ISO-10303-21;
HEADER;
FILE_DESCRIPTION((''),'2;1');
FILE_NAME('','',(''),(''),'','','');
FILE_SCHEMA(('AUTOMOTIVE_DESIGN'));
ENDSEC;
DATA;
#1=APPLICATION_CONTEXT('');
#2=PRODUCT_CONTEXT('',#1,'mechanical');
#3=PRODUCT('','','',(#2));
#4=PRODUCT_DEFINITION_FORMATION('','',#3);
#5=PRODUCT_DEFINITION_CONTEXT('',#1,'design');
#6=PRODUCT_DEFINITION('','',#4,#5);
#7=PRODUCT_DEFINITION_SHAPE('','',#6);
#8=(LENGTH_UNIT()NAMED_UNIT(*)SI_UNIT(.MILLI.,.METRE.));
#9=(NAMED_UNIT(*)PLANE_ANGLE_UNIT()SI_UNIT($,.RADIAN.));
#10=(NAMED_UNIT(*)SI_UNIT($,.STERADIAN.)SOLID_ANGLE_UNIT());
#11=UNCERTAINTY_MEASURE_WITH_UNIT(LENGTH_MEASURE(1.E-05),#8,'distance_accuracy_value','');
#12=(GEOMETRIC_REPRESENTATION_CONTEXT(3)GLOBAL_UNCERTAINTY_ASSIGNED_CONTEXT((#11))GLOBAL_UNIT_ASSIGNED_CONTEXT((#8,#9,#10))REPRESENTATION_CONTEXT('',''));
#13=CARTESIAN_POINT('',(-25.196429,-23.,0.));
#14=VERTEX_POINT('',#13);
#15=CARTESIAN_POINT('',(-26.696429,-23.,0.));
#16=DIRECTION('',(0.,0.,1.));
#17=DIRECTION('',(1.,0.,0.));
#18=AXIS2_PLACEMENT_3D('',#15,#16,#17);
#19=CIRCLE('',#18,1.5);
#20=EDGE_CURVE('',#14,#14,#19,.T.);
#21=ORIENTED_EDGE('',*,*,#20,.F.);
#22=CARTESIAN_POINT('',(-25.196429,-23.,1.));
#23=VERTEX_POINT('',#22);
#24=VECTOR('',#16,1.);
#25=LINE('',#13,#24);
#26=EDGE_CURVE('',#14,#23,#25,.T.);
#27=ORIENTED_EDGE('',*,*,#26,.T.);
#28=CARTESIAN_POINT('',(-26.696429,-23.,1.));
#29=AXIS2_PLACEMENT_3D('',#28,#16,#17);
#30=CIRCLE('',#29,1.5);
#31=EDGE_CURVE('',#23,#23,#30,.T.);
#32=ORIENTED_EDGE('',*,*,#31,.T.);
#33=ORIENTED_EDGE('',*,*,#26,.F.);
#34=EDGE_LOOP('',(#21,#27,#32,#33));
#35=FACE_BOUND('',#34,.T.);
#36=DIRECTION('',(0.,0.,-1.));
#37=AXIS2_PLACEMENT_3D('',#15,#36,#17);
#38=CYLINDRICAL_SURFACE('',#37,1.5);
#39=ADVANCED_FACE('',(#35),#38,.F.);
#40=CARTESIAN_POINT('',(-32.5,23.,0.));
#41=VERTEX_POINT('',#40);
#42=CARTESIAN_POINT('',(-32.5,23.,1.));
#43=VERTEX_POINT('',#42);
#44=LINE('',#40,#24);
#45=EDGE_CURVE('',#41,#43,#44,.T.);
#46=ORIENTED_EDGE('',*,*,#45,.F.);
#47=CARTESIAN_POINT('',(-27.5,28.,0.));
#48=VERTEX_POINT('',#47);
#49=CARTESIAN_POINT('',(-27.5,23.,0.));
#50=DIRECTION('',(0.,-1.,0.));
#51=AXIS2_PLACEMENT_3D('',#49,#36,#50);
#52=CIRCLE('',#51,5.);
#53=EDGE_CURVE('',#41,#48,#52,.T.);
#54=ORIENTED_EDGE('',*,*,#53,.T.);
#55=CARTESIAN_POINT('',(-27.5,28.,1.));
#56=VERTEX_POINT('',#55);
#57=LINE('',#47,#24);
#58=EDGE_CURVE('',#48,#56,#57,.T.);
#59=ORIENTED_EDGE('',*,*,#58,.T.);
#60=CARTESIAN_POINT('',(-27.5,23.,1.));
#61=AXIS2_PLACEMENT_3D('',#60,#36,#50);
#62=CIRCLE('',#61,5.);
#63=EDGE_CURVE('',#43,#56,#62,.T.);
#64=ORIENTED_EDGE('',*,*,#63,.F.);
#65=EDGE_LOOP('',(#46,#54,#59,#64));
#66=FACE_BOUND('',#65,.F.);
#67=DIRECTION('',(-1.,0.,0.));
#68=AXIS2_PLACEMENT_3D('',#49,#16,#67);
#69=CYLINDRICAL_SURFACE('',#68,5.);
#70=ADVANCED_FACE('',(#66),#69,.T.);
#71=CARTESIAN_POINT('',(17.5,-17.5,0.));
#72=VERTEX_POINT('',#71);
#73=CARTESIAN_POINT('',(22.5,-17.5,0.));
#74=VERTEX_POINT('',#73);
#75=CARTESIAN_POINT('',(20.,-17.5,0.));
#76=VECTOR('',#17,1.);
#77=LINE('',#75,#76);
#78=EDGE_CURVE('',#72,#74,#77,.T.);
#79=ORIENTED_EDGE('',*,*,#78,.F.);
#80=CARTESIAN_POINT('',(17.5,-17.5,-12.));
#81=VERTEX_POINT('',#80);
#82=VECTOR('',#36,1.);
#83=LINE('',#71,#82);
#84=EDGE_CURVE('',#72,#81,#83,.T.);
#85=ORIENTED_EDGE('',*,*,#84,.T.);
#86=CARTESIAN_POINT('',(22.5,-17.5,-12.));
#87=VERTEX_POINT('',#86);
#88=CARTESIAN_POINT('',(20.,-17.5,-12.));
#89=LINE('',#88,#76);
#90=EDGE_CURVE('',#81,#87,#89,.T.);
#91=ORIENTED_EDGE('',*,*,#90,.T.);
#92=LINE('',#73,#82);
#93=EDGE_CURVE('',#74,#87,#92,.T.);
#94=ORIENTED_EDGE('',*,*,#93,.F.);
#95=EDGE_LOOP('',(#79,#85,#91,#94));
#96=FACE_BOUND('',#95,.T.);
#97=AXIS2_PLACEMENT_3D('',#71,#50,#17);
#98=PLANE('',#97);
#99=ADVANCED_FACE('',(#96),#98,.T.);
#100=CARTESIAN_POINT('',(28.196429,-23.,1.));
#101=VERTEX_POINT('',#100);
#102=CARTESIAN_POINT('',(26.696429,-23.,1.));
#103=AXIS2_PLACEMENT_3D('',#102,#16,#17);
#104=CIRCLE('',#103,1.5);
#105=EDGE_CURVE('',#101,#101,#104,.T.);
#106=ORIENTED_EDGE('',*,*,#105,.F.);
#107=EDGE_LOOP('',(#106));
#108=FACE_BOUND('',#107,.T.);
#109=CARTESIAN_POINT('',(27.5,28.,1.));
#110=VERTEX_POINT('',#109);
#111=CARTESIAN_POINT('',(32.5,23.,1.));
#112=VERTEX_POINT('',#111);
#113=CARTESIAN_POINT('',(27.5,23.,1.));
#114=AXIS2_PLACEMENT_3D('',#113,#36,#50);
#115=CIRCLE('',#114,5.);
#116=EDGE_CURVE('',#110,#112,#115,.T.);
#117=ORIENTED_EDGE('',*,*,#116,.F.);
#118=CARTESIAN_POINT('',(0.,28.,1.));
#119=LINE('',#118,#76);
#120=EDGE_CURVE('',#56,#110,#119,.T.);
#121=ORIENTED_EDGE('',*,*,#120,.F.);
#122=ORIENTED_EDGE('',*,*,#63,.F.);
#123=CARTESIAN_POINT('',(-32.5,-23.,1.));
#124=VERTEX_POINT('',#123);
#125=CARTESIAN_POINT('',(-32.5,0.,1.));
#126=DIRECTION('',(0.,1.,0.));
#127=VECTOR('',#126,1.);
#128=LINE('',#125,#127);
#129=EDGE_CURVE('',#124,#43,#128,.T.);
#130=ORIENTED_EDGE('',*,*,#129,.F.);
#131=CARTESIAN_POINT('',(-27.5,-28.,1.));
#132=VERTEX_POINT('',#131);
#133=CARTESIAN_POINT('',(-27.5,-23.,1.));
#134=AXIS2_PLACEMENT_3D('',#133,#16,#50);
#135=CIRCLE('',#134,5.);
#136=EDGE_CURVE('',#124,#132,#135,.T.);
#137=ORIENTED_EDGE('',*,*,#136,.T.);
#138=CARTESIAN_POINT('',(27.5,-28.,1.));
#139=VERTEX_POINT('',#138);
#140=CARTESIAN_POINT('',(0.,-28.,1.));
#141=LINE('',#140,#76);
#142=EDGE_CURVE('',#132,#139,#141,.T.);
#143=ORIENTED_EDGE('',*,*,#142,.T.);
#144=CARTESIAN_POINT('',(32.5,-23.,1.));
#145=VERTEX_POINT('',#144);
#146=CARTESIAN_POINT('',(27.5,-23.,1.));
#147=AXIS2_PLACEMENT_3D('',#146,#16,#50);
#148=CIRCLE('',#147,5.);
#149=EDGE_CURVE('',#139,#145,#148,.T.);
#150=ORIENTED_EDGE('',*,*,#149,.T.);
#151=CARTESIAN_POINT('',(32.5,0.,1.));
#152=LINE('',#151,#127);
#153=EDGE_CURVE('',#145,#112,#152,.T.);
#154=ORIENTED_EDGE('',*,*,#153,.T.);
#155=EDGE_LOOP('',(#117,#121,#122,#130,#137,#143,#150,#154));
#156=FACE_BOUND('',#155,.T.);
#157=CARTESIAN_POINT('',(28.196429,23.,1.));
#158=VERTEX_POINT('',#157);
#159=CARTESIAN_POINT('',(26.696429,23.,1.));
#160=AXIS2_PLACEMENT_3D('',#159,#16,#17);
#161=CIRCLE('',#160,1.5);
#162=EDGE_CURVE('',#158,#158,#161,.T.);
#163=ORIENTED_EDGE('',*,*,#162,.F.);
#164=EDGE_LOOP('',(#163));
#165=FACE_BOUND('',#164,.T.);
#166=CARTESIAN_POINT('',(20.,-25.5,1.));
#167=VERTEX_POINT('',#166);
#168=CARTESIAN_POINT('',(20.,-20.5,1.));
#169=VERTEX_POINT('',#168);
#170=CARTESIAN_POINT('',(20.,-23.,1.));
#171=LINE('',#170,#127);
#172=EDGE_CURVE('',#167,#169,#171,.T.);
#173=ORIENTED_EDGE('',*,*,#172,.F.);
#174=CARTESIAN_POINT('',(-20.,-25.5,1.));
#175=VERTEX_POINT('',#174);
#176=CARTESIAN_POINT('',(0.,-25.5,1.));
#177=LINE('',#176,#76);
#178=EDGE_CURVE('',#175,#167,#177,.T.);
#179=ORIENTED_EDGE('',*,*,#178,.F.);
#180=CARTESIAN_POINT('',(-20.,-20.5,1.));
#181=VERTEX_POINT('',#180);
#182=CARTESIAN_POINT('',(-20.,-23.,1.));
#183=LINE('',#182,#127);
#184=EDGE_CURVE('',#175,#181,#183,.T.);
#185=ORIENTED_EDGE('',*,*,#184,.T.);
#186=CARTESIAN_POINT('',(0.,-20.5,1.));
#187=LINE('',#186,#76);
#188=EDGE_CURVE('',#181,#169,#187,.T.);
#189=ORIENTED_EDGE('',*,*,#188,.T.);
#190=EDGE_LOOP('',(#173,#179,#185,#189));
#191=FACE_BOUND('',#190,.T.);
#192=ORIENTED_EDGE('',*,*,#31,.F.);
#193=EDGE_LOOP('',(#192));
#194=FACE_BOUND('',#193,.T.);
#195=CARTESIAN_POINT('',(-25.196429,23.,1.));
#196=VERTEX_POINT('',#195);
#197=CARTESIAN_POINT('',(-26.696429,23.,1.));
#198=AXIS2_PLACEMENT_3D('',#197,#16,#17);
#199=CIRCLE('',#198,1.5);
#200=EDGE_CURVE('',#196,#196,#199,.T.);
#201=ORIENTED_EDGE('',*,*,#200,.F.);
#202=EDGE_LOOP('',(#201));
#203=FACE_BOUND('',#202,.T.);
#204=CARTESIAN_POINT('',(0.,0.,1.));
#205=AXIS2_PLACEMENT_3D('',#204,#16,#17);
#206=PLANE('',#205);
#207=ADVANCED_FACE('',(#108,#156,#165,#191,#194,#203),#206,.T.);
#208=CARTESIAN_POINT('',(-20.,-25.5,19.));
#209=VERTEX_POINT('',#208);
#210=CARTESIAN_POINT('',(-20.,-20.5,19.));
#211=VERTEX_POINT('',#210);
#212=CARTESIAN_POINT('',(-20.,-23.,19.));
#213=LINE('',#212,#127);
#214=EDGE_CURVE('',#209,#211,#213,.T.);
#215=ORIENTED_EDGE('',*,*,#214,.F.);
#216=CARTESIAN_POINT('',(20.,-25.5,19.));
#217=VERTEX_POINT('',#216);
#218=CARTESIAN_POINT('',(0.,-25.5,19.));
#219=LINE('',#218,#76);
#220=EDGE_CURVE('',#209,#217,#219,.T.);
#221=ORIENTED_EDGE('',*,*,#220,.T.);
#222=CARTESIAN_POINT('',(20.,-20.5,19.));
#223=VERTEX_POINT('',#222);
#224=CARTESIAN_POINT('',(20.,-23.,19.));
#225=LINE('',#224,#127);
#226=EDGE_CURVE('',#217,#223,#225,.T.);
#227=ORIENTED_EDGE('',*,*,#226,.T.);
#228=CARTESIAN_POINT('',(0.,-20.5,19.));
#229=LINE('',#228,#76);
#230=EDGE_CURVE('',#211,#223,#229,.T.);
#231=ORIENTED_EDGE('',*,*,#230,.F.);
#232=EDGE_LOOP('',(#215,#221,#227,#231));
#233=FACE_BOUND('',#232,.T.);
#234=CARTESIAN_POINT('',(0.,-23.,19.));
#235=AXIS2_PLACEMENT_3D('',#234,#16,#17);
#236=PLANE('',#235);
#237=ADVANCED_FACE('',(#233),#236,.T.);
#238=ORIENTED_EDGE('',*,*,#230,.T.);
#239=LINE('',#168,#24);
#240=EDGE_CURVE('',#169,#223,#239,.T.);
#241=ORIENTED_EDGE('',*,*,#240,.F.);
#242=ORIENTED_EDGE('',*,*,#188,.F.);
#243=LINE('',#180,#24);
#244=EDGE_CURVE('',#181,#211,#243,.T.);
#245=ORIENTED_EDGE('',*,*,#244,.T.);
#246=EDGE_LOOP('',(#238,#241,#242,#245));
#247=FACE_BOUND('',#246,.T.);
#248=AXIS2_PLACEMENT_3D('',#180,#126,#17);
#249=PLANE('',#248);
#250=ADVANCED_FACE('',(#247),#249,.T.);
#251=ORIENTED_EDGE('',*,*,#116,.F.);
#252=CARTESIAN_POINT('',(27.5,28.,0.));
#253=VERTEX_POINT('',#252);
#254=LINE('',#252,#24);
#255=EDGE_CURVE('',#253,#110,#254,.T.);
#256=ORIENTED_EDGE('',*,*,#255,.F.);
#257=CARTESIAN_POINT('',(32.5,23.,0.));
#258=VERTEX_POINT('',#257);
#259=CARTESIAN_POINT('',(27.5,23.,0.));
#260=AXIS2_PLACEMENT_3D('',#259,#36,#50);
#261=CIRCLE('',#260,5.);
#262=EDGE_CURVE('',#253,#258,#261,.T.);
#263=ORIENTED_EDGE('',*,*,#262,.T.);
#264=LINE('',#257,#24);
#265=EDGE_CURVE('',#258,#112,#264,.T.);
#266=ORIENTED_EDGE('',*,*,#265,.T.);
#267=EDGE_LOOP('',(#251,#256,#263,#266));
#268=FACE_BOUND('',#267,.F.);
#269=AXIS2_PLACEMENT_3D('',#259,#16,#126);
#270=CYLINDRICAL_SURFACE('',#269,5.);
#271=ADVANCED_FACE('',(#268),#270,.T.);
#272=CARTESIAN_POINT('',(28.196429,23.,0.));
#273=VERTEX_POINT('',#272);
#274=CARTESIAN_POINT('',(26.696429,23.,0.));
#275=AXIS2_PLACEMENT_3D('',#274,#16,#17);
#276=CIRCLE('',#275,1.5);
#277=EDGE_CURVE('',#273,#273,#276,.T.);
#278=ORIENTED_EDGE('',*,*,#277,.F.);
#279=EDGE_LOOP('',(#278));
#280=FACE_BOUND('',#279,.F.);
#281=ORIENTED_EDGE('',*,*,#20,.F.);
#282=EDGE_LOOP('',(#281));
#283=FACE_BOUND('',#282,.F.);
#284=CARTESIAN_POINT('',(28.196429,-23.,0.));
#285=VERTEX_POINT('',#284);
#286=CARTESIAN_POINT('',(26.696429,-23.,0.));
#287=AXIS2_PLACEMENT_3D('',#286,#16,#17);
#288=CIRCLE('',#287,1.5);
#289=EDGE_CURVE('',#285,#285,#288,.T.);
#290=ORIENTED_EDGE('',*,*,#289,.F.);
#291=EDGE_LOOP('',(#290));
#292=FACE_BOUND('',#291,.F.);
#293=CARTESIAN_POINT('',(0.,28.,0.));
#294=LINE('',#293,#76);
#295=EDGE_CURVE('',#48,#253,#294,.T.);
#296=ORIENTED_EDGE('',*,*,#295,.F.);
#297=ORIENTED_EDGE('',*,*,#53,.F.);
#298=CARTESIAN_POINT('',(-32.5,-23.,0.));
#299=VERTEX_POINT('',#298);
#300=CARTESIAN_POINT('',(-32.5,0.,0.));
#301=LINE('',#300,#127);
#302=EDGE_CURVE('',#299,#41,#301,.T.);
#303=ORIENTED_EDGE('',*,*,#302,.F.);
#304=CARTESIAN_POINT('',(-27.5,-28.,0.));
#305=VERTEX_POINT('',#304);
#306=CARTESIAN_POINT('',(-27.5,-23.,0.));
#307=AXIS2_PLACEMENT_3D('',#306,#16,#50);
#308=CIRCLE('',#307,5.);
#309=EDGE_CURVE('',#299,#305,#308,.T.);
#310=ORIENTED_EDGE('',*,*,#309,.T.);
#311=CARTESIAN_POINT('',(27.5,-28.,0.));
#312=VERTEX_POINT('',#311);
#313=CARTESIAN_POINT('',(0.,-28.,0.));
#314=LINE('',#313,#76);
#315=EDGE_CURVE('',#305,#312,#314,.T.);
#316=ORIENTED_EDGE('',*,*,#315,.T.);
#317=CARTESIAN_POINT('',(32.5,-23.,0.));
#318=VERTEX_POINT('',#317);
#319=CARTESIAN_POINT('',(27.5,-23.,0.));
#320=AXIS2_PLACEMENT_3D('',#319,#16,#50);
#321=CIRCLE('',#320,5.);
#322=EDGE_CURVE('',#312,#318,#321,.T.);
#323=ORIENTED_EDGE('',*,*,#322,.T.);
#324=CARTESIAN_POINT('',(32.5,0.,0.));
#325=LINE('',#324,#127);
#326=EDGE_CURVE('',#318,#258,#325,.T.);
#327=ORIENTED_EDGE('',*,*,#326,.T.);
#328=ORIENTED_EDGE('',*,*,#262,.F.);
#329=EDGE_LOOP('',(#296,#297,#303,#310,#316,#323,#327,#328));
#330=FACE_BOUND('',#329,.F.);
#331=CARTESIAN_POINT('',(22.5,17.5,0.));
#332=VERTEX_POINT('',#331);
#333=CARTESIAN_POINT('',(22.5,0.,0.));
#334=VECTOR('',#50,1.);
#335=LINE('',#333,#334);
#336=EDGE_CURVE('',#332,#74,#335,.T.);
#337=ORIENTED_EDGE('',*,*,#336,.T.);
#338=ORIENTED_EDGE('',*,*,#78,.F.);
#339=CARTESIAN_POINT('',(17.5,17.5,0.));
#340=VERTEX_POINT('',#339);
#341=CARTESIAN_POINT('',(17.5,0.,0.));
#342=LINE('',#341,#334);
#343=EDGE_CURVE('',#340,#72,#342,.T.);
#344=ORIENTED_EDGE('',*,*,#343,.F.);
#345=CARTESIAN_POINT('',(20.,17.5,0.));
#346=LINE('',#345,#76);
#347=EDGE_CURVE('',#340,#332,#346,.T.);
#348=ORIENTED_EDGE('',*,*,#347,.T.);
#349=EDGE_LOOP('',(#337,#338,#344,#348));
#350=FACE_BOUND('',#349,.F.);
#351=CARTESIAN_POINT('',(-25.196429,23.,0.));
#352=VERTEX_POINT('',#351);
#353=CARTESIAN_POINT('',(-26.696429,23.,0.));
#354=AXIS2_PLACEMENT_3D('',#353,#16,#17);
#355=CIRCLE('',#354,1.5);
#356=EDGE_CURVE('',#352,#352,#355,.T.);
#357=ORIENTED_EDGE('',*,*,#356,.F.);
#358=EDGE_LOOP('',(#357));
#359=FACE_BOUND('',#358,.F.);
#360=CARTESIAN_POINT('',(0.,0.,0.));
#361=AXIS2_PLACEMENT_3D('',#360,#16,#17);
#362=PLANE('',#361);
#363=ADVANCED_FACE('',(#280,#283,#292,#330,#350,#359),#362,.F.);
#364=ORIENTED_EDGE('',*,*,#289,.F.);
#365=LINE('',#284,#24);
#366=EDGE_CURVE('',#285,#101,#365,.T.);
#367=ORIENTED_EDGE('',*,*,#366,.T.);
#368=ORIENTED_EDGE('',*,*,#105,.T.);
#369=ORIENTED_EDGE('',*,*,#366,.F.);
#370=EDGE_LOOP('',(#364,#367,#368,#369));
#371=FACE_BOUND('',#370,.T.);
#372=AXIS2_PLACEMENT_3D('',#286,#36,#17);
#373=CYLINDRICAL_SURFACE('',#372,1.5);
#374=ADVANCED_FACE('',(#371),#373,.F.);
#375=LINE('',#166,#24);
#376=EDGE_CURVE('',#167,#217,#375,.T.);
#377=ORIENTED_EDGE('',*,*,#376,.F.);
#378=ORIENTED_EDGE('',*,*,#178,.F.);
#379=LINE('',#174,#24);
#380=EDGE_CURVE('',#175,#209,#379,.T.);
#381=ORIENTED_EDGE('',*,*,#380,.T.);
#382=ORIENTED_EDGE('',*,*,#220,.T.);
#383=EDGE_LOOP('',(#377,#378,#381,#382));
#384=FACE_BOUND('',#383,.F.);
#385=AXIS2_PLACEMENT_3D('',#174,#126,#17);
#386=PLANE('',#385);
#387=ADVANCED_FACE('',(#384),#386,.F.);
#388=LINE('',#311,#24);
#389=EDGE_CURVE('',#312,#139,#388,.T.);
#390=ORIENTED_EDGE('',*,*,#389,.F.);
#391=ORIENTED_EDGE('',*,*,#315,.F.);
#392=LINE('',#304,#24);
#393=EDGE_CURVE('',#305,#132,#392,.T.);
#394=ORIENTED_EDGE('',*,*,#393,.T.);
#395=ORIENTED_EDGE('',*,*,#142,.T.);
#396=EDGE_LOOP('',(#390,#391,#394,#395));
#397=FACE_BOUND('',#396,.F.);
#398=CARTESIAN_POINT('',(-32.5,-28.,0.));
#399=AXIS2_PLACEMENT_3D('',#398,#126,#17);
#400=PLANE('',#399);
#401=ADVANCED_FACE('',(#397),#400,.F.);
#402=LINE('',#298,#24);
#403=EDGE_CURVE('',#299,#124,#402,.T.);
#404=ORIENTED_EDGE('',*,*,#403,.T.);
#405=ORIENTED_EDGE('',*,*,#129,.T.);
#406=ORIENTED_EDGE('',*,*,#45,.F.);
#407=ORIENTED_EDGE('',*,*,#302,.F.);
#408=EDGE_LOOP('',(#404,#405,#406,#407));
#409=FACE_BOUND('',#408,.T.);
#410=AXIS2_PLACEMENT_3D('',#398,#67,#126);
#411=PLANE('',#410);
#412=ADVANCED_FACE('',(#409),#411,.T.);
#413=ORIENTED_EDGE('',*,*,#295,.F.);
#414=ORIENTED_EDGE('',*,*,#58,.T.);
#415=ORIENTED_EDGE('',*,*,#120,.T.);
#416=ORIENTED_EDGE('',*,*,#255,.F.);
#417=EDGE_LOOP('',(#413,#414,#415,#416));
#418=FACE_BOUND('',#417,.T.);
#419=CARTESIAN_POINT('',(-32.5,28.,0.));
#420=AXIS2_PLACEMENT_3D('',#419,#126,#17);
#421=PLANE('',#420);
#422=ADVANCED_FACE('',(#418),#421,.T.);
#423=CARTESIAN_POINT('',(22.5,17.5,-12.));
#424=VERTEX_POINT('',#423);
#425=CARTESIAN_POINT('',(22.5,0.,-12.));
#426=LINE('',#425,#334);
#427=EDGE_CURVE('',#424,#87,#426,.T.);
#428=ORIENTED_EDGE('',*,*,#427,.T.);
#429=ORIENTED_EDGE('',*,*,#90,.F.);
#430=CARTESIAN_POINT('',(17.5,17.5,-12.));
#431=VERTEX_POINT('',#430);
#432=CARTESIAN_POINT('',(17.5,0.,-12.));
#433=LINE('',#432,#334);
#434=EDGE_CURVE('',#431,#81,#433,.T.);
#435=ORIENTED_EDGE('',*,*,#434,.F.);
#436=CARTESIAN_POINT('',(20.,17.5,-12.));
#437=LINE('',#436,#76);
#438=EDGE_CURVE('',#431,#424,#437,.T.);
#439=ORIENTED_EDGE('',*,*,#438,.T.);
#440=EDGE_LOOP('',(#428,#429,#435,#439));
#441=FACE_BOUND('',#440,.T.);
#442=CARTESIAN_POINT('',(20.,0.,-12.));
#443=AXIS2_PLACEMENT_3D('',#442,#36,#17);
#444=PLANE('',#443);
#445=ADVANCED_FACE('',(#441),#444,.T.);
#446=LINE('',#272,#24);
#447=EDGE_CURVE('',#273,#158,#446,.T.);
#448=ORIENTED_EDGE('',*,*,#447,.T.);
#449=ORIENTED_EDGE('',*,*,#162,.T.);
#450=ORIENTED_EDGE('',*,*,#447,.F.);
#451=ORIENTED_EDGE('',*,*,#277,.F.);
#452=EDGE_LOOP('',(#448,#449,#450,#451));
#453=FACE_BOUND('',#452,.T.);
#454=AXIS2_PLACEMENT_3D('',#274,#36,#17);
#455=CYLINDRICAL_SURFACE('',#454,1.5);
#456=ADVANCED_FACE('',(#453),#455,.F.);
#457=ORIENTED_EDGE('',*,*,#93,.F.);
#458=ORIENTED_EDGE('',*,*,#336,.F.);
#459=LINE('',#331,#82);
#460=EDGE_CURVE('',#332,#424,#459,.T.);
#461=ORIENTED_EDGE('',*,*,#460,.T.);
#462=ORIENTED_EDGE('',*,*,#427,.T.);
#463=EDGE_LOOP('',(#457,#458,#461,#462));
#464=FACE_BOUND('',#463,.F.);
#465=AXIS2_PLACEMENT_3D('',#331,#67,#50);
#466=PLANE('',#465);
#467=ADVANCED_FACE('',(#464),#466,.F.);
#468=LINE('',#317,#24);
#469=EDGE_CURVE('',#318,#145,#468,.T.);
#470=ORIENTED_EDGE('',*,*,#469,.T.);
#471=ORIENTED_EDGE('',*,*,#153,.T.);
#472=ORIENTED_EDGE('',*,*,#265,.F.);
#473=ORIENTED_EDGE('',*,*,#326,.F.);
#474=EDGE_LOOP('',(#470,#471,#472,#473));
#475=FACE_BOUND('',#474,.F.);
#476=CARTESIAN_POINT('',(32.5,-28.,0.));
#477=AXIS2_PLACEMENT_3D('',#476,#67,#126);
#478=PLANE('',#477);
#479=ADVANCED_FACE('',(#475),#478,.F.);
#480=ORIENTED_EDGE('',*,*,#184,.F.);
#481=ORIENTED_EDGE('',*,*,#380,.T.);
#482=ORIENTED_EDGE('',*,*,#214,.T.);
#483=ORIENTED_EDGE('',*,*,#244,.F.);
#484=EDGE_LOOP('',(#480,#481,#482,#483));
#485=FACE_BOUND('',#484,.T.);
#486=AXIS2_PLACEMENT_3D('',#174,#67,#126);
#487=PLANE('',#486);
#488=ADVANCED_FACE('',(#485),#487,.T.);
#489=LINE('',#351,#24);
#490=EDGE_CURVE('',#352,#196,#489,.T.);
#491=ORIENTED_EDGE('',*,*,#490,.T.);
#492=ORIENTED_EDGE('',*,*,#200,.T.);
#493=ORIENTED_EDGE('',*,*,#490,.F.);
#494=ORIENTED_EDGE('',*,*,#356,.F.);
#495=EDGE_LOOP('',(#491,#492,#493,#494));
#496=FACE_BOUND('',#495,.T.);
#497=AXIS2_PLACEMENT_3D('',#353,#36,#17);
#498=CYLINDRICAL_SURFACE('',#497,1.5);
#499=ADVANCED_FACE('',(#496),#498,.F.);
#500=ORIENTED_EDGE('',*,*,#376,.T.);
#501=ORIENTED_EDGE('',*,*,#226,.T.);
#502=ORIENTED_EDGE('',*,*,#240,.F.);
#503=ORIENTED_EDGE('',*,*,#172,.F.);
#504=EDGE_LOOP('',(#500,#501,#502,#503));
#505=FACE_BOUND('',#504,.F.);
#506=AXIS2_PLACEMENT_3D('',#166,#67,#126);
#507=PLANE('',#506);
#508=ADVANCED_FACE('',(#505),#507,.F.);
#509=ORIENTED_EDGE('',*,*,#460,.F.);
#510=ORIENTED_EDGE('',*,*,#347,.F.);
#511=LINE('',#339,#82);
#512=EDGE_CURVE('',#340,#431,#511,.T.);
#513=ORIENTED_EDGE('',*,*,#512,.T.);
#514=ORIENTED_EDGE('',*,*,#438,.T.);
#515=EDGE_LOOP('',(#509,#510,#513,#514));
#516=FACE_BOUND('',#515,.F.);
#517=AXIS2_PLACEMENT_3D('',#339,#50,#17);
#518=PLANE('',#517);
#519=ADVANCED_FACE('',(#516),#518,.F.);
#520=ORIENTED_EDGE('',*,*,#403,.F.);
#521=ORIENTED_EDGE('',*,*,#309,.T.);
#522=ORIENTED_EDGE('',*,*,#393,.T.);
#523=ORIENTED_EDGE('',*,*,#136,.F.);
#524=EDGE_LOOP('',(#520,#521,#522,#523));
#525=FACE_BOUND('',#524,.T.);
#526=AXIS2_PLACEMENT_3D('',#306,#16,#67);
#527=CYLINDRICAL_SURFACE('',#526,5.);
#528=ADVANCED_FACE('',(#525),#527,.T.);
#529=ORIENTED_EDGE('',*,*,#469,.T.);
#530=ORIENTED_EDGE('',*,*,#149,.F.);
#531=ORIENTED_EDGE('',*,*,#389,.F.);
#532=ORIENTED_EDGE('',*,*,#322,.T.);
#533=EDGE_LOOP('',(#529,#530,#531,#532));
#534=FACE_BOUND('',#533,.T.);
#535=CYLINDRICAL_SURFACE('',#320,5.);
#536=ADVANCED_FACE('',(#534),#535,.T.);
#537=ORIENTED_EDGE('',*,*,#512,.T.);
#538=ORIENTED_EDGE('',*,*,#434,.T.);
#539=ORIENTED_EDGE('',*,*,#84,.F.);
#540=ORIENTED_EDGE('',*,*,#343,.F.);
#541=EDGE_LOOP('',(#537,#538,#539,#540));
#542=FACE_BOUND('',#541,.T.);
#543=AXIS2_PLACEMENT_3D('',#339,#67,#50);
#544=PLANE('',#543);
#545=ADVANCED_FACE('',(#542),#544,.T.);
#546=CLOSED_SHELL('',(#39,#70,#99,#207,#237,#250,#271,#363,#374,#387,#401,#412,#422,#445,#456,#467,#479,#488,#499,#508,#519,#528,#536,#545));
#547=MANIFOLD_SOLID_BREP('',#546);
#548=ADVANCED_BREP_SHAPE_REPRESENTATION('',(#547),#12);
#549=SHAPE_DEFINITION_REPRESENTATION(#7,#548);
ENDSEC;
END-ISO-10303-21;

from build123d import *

# Parameters (mm, degrees)
SKETCH_W     = 65
SKETCH_H     = 56
SKETCH_R     = 1.5
PAD_DEPTH    = 1
FILLET_R     = 5
SKETCH001_W  = 40
SKETCH001_H  = 5
PAD001_DEPTH = 18
SKETCH002_W  = 5
SKETCH002_H  = 35
PAD002_DEPTH = 12


with BuildPart() as part:
    # Sketch → Pad (new body)
    with BuildSketch(Plane.XY):
        Rectangle(SKETCH_W, SKETCH_H)
        with Locations((-26.696429, 23)):
            Circle(SKETCH_R, mode=Mode.SUBTRACT)
        with Locations((-26.696429, -23)):
            Circle(SKETCH_R, mode=Mode.SUBTRACT)
        with Locations((26.696429, -23)):
            Circle(SKETCH_R, mode=Mode.SUBTRACT)
        with Locations((26.696429, 23)):
            Circle(SKETCH_R, mode=Mode.SUBTRACT)
    extrude(amount=PAD_DEPTH)

    # Fillet
    fillet_edges = [part.edges().sort_by_distance(p)[0] for p in [
        (-32.5, -28, 0.5),
        (32.5, -28, 0.5),
        (32.5, 28, 0.5),
        (-32.5, 28, 0.5),
    ]]
    fillet(fillet_edges, radius=FILLET_R)

    # Sketch001 (on Face5 of Fillet) → Pad001 (join)
    with BuildSketch(Plane.XY.offset(1)):
        with Locations((0, -23)):
            Rectangle(SKETCH001_W, SKETCH001_H)
    extrude(amount=PAD001_DEPTH)

    # Sketch002 (on Face2 of Pad001) → Pad002 (join)
    with BuildSketch(Plane(origin=(0, 0, 0), x_dir=(1, 0, 0), z_dir=(0, 0, -1))):
        with Locations((20, 0)):
            Rectangle(SKETCH002_W, SKETCH002_H)
    extrude(amount=PAD002_DEPTH)


solid = part.part
